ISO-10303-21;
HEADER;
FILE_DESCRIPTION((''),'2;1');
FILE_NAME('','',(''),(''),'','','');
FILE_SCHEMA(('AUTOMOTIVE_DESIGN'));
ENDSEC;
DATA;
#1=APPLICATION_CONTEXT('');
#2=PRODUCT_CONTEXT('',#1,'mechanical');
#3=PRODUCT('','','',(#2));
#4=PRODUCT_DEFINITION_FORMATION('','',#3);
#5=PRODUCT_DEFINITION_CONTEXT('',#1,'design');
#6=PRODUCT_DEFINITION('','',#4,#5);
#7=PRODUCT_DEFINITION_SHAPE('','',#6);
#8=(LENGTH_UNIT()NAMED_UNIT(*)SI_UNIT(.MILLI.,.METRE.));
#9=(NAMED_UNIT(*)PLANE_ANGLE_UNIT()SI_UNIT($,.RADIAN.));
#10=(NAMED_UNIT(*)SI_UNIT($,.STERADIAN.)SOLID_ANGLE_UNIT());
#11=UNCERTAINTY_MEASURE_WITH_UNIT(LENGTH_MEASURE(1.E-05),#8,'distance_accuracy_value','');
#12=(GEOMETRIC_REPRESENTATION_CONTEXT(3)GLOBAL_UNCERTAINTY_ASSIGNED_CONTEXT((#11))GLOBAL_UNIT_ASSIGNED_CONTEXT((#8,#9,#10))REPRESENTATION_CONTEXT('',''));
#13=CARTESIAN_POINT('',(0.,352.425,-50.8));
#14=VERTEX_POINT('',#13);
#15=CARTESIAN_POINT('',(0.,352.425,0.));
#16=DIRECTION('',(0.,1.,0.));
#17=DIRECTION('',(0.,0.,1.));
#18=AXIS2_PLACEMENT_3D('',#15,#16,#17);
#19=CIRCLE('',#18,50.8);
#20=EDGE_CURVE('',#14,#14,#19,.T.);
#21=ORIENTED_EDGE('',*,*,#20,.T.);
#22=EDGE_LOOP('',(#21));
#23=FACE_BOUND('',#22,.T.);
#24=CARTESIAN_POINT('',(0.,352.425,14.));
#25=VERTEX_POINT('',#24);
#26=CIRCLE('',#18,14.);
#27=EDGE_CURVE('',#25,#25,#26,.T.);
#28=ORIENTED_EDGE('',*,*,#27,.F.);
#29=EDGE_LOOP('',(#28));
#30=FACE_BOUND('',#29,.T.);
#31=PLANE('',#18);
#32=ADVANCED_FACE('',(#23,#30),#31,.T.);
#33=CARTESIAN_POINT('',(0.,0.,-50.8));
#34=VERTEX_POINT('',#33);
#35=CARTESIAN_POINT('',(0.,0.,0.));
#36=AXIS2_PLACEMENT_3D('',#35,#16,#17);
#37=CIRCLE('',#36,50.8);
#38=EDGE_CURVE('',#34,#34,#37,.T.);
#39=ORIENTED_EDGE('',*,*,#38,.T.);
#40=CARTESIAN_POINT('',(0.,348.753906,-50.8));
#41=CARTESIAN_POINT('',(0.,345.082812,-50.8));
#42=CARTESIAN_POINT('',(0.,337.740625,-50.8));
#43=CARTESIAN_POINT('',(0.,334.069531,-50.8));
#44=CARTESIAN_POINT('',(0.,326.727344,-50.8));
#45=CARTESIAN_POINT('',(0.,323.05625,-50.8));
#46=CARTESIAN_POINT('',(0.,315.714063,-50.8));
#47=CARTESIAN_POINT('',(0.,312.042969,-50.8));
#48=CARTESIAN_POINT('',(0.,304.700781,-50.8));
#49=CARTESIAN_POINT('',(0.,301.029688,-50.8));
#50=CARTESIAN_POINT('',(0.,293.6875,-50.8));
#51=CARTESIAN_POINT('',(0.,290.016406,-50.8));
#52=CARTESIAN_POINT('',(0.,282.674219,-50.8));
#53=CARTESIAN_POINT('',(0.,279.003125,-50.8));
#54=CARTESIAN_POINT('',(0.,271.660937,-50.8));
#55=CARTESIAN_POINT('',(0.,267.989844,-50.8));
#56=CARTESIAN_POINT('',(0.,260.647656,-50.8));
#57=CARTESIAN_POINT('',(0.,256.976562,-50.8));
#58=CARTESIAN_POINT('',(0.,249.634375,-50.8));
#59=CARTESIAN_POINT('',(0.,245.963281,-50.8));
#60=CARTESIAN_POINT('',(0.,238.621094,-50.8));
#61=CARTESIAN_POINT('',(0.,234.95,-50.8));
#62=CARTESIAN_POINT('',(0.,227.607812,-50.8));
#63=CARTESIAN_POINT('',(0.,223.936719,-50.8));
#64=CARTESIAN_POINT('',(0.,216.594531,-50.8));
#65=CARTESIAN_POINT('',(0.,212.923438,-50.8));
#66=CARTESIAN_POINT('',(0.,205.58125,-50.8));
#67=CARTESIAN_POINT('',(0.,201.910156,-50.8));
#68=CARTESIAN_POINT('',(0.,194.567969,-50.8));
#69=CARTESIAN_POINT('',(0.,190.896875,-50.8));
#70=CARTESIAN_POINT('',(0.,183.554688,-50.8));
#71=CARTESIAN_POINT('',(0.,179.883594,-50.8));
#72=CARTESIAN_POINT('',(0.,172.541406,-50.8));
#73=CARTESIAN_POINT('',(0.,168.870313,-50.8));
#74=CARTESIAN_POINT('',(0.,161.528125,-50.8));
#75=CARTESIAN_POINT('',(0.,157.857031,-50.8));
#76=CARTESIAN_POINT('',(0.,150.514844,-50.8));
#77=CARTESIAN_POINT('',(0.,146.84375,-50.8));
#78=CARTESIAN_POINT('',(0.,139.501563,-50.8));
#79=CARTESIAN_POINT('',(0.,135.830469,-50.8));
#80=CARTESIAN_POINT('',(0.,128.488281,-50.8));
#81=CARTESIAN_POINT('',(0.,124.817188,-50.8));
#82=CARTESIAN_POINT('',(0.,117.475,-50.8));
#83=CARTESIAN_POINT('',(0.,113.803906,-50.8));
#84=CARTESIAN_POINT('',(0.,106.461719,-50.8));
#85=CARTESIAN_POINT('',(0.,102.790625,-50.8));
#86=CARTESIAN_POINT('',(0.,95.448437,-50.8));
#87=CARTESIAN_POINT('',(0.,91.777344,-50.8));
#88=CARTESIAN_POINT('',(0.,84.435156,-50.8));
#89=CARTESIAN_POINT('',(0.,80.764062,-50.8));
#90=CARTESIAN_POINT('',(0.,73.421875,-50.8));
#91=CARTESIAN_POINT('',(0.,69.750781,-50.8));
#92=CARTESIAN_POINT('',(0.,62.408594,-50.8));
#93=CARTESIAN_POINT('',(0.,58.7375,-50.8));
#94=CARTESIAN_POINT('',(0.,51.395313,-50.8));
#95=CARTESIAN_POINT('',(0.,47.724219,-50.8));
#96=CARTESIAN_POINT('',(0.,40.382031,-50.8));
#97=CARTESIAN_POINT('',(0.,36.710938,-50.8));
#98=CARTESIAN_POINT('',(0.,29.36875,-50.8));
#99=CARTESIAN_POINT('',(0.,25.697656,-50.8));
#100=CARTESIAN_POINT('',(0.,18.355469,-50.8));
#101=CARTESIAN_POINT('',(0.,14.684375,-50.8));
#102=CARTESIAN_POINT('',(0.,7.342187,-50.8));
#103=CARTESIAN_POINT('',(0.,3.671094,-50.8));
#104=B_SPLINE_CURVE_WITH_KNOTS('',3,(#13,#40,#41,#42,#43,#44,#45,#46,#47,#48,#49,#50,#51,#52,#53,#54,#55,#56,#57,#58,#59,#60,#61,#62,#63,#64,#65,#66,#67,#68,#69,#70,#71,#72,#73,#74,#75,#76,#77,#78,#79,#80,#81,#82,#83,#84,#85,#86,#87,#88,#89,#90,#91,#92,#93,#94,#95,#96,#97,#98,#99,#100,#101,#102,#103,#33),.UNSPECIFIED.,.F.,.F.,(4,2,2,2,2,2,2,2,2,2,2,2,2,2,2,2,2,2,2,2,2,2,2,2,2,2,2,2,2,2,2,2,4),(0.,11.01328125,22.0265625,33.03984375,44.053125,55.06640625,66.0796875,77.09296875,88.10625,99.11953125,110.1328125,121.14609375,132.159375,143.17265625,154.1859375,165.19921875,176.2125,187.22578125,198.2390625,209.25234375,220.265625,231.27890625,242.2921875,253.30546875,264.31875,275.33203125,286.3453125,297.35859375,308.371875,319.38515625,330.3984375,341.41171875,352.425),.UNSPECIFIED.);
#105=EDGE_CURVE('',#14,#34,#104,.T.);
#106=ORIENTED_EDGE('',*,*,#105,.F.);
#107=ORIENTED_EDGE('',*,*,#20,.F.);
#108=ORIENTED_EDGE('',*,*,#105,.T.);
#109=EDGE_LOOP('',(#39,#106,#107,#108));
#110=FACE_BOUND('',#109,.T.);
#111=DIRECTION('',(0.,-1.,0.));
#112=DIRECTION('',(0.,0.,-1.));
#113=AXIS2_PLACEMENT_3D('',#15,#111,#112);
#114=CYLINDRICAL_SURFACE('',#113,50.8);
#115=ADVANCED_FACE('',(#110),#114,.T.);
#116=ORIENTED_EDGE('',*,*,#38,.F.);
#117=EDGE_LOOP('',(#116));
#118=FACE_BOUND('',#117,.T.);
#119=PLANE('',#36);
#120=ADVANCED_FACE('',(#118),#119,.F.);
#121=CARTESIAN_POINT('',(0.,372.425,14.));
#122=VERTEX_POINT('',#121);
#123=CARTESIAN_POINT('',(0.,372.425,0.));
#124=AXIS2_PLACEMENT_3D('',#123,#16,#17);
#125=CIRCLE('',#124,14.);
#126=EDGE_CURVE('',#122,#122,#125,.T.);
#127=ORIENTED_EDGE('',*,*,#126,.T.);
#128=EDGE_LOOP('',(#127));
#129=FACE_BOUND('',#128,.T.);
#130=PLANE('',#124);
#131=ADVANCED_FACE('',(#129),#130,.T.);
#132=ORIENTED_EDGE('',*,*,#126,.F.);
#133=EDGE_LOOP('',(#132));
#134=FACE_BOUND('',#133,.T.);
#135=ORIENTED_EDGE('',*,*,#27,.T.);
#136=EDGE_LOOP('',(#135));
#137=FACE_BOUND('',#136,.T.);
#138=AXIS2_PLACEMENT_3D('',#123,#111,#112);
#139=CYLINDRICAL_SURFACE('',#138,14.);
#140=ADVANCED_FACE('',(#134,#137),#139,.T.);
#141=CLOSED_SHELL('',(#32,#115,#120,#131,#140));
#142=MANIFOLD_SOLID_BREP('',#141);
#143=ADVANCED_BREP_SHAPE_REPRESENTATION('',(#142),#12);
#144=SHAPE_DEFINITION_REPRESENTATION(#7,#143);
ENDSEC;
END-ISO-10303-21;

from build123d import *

# Parameters (mm, degrees)
SKETCH_1_R      = 50.8
EXTRUDE_1_DEPTH = 352.425
SKETCH_2_R      = 14
EXTRUDE_2_DEPTH = 20


with BuildPart() as part:
    # 草图1 → 凸台-拉伸1 (new body)
    with BuildSketch(Plane(origin=(0, 0, 0), x_dir=(1, 0, 0), z_dir=(0, 1, 0))):
        with Locations(Location((0, 0, 0), (0, 0, 90))):
            Circle(SKETCH_1_R)
    extrude(amount=EXTRUDE_1_DEPTH)

    # 草图2 → 凸台-拉伸2 (add)
    with BuildSketch(Plane(origin=(0, 352.425, 0), x_dir=(1, 0, 0), z_dir=(0, 1, 0))):
        with Locations(Location((0, 0, 0), (0, 0, 270))):
            Circle(SKETCH_2_R)
    extrude(amount=EXTRUDE_2_DEPTH)


solid = part.part
